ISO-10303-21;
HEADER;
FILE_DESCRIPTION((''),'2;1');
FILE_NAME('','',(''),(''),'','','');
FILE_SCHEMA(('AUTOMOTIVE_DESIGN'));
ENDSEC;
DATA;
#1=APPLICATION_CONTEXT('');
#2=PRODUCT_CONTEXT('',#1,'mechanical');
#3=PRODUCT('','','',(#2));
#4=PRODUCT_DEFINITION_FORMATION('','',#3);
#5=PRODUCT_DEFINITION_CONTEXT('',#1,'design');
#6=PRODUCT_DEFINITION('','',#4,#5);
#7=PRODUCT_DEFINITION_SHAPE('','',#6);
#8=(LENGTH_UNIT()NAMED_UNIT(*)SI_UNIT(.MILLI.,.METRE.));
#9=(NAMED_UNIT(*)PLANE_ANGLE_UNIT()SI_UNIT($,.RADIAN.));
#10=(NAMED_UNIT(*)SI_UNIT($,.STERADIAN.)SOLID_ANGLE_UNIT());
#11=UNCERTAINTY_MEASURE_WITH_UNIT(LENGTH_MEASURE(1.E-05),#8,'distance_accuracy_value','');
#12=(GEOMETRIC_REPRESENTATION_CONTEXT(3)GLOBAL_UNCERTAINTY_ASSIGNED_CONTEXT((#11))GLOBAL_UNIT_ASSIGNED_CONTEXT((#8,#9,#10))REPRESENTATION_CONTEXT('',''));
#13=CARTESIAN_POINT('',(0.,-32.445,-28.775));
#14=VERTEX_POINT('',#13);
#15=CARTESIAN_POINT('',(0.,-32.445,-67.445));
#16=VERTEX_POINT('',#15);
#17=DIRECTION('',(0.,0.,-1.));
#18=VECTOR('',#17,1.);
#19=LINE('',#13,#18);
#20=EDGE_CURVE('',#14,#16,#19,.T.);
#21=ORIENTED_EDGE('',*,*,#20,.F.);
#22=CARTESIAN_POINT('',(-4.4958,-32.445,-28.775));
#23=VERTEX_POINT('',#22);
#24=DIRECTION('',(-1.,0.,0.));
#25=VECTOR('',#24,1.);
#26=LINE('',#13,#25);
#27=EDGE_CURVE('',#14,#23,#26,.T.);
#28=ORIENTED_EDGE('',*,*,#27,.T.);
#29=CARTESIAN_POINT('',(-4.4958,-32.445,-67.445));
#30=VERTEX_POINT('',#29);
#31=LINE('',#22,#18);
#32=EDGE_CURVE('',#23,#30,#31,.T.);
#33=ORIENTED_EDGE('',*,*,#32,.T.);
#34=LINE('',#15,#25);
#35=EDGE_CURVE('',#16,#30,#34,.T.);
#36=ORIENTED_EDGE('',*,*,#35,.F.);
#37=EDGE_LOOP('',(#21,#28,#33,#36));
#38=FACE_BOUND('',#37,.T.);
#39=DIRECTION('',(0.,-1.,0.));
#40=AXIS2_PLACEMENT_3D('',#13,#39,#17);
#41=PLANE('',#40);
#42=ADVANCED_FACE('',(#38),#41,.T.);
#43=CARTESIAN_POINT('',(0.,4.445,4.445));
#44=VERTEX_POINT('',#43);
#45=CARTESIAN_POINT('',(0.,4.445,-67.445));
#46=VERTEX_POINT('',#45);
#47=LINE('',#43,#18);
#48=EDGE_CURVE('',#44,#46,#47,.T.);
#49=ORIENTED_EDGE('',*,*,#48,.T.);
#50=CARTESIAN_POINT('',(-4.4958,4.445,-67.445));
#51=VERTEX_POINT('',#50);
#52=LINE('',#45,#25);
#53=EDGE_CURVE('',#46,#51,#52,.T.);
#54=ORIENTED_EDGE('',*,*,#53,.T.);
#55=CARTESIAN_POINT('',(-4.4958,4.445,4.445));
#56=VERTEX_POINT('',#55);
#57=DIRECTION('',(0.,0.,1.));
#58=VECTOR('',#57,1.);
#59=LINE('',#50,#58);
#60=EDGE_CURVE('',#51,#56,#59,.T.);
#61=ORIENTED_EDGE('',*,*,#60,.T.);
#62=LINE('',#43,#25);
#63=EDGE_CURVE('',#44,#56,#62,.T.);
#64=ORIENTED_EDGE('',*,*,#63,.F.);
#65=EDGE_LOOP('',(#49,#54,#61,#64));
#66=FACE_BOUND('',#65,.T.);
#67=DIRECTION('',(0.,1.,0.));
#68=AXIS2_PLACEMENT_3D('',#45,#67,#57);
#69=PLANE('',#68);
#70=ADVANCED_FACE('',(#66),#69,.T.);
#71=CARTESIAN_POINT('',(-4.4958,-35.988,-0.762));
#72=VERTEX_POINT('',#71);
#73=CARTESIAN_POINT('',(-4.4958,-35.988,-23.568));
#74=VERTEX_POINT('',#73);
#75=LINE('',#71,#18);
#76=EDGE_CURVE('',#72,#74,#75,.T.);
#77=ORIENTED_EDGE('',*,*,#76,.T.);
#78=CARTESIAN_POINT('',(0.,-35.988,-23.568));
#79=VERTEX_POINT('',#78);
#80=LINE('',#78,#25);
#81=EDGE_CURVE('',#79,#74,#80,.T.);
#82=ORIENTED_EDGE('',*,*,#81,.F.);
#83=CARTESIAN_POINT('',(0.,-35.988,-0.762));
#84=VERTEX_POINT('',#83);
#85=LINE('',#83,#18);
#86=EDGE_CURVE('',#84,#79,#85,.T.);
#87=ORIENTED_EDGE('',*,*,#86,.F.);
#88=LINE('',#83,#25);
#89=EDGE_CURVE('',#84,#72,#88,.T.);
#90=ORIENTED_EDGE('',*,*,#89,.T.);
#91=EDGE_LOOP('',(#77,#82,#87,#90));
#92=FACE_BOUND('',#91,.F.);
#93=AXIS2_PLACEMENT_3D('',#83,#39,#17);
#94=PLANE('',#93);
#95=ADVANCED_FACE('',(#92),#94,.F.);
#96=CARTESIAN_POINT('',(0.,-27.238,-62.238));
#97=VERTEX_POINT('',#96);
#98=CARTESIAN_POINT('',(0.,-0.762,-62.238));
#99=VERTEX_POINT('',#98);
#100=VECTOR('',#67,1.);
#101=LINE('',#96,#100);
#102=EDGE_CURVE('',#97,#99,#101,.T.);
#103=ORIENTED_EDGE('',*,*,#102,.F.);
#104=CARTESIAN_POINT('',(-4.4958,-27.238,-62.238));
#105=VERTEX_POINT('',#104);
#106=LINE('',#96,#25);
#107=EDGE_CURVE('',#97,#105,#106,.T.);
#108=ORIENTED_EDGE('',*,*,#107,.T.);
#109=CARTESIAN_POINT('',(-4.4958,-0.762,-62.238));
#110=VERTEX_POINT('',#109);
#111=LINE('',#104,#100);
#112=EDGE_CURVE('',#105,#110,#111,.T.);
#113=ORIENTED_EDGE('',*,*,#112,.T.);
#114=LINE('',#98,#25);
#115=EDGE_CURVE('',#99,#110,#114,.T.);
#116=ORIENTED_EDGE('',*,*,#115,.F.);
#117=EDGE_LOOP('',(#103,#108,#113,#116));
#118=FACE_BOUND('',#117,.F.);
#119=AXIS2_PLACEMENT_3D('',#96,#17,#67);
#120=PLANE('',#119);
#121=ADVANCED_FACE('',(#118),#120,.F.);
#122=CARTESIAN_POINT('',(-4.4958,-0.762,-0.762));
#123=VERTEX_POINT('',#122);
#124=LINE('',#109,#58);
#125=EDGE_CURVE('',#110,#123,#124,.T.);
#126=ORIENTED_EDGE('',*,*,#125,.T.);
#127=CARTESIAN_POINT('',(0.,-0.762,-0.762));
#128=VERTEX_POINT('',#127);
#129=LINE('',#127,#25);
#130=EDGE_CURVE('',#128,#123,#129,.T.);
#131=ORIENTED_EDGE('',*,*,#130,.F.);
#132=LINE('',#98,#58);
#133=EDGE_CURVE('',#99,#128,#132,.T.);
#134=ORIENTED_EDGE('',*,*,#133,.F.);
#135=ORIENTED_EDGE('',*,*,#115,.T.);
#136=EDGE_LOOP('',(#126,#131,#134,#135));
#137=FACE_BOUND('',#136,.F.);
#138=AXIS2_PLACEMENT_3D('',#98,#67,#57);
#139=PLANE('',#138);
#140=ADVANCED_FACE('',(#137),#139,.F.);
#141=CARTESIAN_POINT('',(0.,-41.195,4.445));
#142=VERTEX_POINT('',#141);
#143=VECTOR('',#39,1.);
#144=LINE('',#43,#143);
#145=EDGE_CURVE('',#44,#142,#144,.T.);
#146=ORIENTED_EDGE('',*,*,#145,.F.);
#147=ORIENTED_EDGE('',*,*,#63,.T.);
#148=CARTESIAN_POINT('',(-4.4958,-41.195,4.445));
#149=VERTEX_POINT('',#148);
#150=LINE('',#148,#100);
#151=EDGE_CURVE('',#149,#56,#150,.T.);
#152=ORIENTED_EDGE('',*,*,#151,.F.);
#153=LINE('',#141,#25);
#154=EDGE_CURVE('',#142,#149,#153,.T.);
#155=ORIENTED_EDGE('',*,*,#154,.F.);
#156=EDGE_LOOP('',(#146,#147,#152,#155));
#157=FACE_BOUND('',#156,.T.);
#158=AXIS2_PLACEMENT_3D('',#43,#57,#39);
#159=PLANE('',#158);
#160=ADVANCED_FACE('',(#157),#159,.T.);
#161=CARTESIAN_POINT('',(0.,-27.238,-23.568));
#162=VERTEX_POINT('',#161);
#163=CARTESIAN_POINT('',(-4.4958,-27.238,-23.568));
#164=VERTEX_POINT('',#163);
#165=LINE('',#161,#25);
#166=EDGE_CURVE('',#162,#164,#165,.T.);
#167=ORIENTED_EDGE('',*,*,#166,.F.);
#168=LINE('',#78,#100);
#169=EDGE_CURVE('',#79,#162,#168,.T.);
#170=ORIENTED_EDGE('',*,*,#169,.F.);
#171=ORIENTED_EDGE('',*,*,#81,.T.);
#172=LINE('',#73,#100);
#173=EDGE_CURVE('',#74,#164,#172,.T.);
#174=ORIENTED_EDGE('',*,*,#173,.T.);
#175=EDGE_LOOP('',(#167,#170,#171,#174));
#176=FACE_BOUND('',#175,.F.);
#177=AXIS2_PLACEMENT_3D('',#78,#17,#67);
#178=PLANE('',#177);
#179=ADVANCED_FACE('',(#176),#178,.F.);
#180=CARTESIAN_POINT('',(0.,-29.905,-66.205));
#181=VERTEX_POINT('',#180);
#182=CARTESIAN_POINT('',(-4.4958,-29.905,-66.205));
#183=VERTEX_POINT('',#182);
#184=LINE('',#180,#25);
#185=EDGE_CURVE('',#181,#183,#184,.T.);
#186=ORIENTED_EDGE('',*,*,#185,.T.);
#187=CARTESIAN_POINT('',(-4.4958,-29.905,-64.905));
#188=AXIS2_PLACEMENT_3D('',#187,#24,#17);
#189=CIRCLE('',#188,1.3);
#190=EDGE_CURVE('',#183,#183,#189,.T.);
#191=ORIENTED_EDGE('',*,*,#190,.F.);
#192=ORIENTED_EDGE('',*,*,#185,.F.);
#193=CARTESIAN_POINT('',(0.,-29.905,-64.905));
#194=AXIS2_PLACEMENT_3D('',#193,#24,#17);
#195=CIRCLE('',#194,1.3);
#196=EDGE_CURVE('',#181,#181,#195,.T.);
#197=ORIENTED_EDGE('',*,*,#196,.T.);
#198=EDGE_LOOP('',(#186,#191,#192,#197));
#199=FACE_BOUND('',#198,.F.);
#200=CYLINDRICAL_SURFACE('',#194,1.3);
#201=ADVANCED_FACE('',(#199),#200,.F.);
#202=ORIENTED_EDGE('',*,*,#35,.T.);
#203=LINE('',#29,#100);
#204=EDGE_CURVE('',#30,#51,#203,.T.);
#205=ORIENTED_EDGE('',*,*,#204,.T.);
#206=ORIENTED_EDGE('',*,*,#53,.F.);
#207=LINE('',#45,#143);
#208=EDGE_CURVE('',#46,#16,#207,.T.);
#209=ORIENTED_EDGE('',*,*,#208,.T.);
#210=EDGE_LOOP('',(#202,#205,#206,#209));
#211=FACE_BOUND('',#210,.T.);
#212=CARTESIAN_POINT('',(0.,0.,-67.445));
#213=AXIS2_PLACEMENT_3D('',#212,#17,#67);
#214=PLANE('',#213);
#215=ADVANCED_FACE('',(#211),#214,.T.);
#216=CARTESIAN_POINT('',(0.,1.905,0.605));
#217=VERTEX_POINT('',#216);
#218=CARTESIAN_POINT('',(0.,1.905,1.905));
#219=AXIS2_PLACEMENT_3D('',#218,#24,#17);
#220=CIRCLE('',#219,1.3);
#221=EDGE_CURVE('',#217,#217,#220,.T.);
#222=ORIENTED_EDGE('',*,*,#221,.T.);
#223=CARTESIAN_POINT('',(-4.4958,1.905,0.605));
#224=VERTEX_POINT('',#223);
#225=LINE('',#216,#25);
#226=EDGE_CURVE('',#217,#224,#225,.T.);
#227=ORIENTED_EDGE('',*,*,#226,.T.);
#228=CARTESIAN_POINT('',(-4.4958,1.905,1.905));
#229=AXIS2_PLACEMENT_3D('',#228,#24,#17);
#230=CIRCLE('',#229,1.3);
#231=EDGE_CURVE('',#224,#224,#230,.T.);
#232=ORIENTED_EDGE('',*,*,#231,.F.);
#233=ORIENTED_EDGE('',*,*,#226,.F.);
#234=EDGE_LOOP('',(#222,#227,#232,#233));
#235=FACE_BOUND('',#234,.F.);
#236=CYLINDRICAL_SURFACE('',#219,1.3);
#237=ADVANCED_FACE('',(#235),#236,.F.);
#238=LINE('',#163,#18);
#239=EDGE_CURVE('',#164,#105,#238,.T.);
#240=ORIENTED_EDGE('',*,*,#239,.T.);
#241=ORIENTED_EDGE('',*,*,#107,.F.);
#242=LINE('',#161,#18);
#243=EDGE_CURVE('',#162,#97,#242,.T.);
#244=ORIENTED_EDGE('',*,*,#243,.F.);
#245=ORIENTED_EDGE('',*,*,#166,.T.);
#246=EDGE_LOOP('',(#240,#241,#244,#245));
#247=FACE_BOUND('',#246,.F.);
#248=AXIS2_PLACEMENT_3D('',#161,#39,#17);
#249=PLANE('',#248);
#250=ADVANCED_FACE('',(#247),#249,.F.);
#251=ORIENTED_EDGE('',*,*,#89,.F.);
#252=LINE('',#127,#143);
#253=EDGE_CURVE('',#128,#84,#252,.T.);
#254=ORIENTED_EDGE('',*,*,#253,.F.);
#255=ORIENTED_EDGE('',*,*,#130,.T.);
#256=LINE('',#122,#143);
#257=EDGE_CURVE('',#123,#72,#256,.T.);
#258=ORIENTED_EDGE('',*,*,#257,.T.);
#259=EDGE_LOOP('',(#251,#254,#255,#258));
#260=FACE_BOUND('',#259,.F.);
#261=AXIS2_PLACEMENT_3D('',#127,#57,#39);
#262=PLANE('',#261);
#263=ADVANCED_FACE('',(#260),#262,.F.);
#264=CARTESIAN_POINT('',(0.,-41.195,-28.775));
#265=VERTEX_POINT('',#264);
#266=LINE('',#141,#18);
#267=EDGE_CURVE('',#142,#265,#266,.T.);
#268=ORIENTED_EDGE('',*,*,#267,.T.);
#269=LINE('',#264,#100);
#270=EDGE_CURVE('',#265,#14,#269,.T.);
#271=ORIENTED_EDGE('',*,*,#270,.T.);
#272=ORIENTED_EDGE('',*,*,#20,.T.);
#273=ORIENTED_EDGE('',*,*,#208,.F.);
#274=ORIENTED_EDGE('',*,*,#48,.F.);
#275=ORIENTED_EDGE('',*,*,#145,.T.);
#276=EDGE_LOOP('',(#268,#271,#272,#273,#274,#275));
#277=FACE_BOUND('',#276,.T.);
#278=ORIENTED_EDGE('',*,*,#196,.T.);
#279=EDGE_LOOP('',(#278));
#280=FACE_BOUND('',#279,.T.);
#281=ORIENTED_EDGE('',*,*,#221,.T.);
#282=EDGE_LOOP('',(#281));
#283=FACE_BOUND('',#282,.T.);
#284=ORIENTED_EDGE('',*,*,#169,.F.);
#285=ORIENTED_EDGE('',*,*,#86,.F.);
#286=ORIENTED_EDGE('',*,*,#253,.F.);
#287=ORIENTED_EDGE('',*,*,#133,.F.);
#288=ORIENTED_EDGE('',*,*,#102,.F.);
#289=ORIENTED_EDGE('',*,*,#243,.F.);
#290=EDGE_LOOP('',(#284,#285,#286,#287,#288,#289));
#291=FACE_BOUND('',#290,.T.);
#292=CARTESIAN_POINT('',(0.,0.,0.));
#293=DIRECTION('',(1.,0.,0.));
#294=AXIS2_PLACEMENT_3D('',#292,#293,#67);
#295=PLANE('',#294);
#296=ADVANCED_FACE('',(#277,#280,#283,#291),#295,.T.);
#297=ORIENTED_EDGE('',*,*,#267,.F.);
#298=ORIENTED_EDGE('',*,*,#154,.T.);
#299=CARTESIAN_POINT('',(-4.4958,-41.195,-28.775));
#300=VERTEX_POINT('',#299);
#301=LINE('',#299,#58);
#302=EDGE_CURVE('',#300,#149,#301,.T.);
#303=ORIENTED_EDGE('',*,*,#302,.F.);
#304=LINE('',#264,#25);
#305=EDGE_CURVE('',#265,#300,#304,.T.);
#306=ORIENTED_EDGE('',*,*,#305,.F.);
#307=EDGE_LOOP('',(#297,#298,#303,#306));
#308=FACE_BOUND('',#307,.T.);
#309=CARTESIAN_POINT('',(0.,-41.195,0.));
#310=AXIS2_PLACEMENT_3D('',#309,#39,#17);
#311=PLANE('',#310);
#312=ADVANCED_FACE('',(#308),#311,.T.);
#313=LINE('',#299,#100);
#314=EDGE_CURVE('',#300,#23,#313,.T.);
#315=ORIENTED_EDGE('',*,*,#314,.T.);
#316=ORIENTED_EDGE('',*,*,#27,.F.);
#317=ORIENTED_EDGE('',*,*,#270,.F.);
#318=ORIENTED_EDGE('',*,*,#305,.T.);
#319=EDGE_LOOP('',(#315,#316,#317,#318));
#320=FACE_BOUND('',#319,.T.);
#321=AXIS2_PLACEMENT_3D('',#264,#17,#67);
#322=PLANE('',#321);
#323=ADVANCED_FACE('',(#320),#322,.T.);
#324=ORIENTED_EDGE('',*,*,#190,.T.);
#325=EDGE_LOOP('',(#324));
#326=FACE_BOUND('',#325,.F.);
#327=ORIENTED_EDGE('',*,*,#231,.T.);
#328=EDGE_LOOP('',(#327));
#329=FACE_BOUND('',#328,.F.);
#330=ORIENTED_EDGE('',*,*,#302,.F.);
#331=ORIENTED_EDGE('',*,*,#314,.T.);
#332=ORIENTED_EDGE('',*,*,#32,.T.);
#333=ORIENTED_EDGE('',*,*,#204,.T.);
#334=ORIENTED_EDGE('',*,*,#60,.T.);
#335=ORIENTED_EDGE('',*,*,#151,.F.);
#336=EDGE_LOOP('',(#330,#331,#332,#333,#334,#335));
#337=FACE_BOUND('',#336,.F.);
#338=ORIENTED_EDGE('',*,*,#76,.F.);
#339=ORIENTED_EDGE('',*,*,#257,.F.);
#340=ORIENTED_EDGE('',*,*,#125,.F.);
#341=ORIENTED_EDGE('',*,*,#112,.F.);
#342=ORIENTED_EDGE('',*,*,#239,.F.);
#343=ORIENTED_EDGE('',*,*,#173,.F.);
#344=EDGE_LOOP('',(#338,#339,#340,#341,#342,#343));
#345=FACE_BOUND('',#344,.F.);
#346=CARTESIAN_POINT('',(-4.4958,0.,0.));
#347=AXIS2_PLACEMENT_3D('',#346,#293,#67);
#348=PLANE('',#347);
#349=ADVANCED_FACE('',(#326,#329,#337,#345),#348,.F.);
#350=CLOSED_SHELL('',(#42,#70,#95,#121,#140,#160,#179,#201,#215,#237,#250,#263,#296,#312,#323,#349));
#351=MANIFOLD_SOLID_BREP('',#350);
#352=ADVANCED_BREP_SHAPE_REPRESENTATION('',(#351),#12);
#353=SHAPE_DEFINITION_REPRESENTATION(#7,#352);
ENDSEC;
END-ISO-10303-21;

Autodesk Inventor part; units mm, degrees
ref_plane "YZ Plane" through (0, 0, 0) normal (1, 0, 0) x (0, 1, 0)
ref_plane "XZ Plane" through (0, 0, 0) normal (0, 1, 0) x (-1, 0, 0)
ref_plane "XY Plane" through (0, 0, 0) normal (0, 0, 1) x (1, 0, 0)
sketch "Sketch1" plane through (0, 0, 0) normal (1, 0, 0) x (0, 1, 0)
  line L0 (0, 18.823) -> (0, -81.823) projected
  line L1 (-50.323, 0) -> (13.573, 0) projected
  line L2 (0, 0) -> (0, -63)
  line L3 (0, -63) -> (-28, -63)
  line L4 (-28, -63) -> (-28, -24.33)
  line L5 (-28, -24.33) -> (-36.75, -24.33)
  line L6 (-36.75, -24.33) -> (-36.75, 0)
  line L7 (-36.75, 0) -> (0, 0)
  circle A0 centre (-16, -42.5) radius 1.575 construction
  line L8 (-35.988, -0.762) -> (-35.988, -23.568)
  line L9 (-35.988, -23.568) -> (-27.238, -23.568)
  line L10 (-27.238, -23.568) -> (-27.238, -62.238)
  line L11 (-27.238, -62.238) -> (-0.762, -62.238)
  line L12 (-0.762, -62.238) -> (-0.762, -0.762)
  line L13 (-0.762, -0.762) -> (-35.988, -0.762)
  line L14 (-41.195, 4.445) -> (-41.195, -28.775)
  line L15 (-41.195, -28.775) -> (-32.445, -28.775)
  line L16 (-32.445, -28.775) -> (-32.445, -67.445)
  line L17 (-32.445, -67.445) -> (4.445, -67.445)
  line L18 (4.445, -67.445) -> (4.445, 4.445)
  line L19 (4.445, 4.445) -> (-41.195, 4.445)
  line L20 (1.905, 1.905) -> (-29.905, 1.905) construction
  line L21 (-29.905, 1.905) -> (-29.905, -64.905) construction
  line L22 (-29.905, -64.905) -> (1.905, -64.905) construction
  line L23 (1.905, -64.905) -> (1.905, 1.905) construction
  dimension "d0" = 63
  dimension "d1" = 28
  dimension "d2" = 36.75
  dimension "d3" = 24.33
  dimension "d4" = 42.5
  dimension "d5" = 16
  dimension "d6" = 3.15
  dimension "d16" = 0.762
  dimension "d17" = 4.445
  dimension "d18" = 2.54
  dimension "d19" = 2.54
  dimension "d20" = 2.54
  dimension "d21" = 2.54
  dimension "d29" = 66.81
  dimension "d30" = 31.81
extrude "Extrusion1" add sketch "Sketch1" against normal blind 4.4958
hole "Hole1" at (0, -16, -42.5) direction (-1, 0, 0) diameter 3.15 end through all
hole "Hole2" at (0, 1.905, 1.905) at (0, -29.905, -64.905) direction (-1, 0, 0) diameter 2.6 end through all
equation "\"d20\" = d18"
equation "\"d21\" = d18"
properties part number "J010359" material "ACRYLIC, BLACK"
